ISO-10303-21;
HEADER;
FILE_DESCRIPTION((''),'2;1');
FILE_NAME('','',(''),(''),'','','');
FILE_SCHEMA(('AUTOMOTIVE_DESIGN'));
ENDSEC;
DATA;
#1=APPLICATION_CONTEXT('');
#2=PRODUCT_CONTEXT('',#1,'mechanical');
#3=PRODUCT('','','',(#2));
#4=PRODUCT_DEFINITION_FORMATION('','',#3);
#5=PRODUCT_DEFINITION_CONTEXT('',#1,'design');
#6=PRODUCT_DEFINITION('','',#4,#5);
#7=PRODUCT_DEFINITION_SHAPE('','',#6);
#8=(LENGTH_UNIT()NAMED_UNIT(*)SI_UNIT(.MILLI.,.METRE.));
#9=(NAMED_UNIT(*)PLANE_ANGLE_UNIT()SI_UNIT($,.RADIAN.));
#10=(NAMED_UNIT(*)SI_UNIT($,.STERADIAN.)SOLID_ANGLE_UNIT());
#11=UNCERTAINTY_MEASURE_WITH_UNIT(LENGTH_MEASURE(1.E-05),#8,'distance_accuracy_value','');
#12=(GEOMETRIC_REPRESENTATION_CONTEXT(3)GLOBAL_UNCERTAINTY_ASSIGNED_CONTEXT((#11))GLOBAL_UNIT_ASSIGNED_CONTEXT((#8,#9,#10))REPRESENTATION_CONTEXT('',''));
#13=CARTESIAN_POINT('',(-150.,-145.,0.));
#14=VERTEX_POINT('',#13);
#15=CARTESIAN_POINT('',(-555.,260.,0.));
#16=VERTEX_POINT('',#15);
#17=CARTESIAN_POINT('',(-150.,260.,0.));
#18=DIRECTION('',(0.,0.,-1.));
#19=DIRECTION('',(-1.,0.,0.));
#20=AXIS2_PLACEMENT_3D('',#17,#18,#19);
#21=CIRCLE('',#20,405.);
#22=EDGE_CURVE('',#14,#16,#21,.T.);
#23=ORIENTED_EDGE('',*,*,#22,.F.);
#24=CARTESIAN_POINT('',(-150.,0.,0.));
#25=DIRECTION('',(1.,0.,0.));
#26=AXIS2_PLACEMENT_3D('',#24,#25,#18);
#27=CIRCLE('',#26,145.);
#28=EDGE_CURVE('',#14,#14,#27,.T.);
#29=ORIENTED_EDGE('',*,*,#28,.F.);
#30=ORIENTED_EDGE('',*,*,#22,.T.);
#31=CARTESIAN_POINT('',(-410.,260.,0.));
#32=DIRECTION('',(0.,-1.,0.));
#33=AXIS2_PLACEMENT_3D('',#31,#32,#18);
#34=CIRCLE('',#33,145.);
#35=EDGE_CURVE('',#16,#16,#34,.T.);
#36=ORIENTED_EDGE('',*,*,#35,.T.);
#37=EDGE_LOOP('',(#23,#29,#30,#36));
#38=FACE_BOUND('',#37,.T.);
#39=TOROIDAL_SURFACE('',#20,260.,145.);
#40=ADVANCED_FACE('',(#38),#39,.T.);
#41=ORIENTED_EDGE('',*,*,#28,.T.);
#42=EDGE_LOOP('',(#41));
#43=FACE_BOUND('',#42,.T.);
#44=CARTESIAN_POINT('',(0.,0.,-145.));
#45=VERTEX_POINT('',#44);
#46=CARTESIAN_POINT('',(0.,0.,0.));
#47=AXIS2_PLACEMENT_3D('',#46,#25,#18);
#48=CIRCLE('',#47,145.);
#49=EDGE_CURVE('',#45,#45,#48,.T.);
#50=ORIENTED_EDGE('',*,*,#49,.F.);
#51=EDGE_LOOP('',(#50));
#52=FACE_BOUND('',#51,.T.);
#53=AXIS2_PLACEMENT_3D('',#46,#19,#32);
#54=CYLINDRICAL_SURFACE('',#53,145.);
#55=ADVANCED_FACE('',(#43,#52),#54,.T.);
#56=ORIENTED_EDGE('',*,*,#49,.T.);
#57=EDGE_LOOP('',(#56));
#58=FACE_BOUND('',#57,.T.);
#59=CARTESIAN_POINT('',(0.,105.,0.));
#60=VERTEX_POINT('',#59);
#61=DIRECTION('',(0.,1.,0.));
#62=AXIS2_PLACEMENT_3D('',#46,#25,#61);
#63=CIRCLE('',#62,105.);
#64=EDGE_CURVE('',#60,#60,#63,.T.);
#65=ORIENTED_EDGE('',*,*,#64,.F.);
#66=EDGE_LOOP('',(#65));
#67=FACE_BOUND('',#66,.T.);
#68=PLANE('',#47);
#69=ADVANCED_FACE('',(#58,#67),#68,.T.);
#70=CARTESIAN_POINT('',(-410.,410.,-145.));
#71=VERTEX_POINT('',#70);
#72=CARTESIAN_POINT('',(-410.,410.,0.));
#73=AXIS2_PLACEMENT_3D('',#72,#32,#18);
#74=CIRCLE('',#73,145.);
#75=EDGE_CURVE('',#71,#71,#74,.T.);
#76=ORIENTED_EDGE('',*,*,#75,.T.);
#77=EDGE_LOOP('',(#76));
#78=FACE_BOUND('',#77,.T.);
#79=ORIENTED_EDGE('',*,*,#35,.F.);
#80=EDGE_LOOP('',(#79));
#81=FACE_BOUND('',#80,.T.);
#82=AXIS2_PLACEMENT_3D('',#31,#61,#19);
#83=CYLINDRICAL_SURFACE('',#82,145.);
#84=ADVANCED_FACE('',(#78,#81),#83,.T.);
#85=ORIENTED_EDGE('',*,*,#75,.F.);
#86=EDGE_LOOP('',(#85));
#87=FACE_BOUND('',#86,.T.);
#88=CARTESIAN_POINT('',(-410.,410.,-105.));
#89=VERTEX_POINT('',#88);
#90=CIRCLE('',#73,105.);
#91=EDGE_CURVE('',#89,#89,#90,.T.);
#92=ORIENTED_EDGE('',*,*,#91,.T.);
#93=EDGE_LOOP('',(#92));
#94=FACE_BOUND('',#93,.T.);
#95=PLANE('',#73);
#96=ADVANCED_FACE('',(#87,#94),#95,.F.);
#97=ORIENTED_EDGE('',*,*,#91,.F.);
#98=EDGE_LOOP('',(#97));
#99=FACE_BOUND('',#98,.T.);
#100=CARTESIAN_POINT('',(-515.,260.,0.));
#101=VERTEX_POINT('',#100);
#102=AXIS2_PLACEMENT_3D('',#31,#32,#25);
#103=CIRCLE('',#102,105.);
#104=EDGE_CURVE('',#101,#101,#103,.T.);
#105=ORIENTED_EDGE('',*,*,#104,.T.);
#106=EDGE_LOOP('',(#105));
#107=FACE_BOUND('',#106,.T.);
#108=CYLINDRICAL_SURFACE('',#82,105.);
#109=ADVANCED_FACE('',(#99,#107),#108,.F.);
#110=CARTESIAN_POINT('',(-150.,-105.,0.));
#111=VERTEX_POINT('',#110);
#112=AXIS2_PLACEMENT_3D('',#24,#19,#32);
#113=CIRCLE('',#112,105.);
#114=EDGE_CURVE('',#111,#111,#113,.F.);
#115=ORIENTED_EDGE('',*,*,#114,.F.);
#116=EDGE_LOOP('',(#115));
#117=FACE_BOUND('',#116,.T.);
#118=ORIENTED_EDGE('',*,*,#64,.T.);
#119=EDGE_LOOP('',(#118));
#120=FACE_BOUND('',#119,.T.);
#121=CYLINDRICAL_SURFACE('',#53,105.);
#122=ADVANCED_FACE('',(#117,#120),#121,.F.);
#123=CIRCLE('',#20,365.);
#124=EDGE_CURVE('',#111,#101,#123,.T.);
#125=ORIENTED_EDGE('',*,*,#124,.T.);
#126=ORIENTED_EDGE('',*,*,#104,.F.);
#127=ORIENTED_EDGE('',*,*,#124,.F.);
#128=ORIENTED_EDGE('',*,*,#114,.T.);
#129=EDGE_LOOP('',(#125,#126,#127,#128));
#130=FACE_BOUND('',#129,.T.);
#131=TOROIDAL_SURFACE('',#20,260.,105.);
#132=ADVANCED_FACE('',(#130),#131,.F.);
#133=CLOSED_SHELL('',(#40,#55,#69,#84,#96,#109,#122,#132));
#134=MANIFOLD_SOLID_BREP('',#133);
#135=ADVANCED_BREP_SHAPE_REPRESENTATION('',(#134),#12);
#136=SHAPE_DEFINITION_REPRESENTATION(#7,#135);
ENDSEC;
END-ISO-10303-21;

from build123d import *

# Parameters (mm, degrees)
SWEEP_THIN1_PROFILE_R   = 145
SWEEP_THIN1_PROFILE_R_2 = 105


with BuildPart() as part:
    # Sweep-Thin1: sweep along a path in Sketch1
    with BuildLine(Plane.XY) as sweep_thin1_path:
        Line((0, 0), (-150, 0))
        ThreePointArc((-150, 0), (-333.847763109, 76.152236891), (-410, 260))
        Line((-410, 260), (-410, 410))
    # Sweep-Thin1 profile (on start of the path) → Sweep-Thin1 (sweep)
    with BuildSketch(Plane(origin=(0, 0, 0), x_dir=(0, -1, 0), z_dir=(-1, 0, 0))):
        Circle(SWEEP_THIN1_PROFILE_R)
        Circle(SWEEP_THIN1_PROFILE_R_2, mode=Mode.SUBTRACT)
    sweep(path=sweep_thin1_path.line)


solid = part.part
